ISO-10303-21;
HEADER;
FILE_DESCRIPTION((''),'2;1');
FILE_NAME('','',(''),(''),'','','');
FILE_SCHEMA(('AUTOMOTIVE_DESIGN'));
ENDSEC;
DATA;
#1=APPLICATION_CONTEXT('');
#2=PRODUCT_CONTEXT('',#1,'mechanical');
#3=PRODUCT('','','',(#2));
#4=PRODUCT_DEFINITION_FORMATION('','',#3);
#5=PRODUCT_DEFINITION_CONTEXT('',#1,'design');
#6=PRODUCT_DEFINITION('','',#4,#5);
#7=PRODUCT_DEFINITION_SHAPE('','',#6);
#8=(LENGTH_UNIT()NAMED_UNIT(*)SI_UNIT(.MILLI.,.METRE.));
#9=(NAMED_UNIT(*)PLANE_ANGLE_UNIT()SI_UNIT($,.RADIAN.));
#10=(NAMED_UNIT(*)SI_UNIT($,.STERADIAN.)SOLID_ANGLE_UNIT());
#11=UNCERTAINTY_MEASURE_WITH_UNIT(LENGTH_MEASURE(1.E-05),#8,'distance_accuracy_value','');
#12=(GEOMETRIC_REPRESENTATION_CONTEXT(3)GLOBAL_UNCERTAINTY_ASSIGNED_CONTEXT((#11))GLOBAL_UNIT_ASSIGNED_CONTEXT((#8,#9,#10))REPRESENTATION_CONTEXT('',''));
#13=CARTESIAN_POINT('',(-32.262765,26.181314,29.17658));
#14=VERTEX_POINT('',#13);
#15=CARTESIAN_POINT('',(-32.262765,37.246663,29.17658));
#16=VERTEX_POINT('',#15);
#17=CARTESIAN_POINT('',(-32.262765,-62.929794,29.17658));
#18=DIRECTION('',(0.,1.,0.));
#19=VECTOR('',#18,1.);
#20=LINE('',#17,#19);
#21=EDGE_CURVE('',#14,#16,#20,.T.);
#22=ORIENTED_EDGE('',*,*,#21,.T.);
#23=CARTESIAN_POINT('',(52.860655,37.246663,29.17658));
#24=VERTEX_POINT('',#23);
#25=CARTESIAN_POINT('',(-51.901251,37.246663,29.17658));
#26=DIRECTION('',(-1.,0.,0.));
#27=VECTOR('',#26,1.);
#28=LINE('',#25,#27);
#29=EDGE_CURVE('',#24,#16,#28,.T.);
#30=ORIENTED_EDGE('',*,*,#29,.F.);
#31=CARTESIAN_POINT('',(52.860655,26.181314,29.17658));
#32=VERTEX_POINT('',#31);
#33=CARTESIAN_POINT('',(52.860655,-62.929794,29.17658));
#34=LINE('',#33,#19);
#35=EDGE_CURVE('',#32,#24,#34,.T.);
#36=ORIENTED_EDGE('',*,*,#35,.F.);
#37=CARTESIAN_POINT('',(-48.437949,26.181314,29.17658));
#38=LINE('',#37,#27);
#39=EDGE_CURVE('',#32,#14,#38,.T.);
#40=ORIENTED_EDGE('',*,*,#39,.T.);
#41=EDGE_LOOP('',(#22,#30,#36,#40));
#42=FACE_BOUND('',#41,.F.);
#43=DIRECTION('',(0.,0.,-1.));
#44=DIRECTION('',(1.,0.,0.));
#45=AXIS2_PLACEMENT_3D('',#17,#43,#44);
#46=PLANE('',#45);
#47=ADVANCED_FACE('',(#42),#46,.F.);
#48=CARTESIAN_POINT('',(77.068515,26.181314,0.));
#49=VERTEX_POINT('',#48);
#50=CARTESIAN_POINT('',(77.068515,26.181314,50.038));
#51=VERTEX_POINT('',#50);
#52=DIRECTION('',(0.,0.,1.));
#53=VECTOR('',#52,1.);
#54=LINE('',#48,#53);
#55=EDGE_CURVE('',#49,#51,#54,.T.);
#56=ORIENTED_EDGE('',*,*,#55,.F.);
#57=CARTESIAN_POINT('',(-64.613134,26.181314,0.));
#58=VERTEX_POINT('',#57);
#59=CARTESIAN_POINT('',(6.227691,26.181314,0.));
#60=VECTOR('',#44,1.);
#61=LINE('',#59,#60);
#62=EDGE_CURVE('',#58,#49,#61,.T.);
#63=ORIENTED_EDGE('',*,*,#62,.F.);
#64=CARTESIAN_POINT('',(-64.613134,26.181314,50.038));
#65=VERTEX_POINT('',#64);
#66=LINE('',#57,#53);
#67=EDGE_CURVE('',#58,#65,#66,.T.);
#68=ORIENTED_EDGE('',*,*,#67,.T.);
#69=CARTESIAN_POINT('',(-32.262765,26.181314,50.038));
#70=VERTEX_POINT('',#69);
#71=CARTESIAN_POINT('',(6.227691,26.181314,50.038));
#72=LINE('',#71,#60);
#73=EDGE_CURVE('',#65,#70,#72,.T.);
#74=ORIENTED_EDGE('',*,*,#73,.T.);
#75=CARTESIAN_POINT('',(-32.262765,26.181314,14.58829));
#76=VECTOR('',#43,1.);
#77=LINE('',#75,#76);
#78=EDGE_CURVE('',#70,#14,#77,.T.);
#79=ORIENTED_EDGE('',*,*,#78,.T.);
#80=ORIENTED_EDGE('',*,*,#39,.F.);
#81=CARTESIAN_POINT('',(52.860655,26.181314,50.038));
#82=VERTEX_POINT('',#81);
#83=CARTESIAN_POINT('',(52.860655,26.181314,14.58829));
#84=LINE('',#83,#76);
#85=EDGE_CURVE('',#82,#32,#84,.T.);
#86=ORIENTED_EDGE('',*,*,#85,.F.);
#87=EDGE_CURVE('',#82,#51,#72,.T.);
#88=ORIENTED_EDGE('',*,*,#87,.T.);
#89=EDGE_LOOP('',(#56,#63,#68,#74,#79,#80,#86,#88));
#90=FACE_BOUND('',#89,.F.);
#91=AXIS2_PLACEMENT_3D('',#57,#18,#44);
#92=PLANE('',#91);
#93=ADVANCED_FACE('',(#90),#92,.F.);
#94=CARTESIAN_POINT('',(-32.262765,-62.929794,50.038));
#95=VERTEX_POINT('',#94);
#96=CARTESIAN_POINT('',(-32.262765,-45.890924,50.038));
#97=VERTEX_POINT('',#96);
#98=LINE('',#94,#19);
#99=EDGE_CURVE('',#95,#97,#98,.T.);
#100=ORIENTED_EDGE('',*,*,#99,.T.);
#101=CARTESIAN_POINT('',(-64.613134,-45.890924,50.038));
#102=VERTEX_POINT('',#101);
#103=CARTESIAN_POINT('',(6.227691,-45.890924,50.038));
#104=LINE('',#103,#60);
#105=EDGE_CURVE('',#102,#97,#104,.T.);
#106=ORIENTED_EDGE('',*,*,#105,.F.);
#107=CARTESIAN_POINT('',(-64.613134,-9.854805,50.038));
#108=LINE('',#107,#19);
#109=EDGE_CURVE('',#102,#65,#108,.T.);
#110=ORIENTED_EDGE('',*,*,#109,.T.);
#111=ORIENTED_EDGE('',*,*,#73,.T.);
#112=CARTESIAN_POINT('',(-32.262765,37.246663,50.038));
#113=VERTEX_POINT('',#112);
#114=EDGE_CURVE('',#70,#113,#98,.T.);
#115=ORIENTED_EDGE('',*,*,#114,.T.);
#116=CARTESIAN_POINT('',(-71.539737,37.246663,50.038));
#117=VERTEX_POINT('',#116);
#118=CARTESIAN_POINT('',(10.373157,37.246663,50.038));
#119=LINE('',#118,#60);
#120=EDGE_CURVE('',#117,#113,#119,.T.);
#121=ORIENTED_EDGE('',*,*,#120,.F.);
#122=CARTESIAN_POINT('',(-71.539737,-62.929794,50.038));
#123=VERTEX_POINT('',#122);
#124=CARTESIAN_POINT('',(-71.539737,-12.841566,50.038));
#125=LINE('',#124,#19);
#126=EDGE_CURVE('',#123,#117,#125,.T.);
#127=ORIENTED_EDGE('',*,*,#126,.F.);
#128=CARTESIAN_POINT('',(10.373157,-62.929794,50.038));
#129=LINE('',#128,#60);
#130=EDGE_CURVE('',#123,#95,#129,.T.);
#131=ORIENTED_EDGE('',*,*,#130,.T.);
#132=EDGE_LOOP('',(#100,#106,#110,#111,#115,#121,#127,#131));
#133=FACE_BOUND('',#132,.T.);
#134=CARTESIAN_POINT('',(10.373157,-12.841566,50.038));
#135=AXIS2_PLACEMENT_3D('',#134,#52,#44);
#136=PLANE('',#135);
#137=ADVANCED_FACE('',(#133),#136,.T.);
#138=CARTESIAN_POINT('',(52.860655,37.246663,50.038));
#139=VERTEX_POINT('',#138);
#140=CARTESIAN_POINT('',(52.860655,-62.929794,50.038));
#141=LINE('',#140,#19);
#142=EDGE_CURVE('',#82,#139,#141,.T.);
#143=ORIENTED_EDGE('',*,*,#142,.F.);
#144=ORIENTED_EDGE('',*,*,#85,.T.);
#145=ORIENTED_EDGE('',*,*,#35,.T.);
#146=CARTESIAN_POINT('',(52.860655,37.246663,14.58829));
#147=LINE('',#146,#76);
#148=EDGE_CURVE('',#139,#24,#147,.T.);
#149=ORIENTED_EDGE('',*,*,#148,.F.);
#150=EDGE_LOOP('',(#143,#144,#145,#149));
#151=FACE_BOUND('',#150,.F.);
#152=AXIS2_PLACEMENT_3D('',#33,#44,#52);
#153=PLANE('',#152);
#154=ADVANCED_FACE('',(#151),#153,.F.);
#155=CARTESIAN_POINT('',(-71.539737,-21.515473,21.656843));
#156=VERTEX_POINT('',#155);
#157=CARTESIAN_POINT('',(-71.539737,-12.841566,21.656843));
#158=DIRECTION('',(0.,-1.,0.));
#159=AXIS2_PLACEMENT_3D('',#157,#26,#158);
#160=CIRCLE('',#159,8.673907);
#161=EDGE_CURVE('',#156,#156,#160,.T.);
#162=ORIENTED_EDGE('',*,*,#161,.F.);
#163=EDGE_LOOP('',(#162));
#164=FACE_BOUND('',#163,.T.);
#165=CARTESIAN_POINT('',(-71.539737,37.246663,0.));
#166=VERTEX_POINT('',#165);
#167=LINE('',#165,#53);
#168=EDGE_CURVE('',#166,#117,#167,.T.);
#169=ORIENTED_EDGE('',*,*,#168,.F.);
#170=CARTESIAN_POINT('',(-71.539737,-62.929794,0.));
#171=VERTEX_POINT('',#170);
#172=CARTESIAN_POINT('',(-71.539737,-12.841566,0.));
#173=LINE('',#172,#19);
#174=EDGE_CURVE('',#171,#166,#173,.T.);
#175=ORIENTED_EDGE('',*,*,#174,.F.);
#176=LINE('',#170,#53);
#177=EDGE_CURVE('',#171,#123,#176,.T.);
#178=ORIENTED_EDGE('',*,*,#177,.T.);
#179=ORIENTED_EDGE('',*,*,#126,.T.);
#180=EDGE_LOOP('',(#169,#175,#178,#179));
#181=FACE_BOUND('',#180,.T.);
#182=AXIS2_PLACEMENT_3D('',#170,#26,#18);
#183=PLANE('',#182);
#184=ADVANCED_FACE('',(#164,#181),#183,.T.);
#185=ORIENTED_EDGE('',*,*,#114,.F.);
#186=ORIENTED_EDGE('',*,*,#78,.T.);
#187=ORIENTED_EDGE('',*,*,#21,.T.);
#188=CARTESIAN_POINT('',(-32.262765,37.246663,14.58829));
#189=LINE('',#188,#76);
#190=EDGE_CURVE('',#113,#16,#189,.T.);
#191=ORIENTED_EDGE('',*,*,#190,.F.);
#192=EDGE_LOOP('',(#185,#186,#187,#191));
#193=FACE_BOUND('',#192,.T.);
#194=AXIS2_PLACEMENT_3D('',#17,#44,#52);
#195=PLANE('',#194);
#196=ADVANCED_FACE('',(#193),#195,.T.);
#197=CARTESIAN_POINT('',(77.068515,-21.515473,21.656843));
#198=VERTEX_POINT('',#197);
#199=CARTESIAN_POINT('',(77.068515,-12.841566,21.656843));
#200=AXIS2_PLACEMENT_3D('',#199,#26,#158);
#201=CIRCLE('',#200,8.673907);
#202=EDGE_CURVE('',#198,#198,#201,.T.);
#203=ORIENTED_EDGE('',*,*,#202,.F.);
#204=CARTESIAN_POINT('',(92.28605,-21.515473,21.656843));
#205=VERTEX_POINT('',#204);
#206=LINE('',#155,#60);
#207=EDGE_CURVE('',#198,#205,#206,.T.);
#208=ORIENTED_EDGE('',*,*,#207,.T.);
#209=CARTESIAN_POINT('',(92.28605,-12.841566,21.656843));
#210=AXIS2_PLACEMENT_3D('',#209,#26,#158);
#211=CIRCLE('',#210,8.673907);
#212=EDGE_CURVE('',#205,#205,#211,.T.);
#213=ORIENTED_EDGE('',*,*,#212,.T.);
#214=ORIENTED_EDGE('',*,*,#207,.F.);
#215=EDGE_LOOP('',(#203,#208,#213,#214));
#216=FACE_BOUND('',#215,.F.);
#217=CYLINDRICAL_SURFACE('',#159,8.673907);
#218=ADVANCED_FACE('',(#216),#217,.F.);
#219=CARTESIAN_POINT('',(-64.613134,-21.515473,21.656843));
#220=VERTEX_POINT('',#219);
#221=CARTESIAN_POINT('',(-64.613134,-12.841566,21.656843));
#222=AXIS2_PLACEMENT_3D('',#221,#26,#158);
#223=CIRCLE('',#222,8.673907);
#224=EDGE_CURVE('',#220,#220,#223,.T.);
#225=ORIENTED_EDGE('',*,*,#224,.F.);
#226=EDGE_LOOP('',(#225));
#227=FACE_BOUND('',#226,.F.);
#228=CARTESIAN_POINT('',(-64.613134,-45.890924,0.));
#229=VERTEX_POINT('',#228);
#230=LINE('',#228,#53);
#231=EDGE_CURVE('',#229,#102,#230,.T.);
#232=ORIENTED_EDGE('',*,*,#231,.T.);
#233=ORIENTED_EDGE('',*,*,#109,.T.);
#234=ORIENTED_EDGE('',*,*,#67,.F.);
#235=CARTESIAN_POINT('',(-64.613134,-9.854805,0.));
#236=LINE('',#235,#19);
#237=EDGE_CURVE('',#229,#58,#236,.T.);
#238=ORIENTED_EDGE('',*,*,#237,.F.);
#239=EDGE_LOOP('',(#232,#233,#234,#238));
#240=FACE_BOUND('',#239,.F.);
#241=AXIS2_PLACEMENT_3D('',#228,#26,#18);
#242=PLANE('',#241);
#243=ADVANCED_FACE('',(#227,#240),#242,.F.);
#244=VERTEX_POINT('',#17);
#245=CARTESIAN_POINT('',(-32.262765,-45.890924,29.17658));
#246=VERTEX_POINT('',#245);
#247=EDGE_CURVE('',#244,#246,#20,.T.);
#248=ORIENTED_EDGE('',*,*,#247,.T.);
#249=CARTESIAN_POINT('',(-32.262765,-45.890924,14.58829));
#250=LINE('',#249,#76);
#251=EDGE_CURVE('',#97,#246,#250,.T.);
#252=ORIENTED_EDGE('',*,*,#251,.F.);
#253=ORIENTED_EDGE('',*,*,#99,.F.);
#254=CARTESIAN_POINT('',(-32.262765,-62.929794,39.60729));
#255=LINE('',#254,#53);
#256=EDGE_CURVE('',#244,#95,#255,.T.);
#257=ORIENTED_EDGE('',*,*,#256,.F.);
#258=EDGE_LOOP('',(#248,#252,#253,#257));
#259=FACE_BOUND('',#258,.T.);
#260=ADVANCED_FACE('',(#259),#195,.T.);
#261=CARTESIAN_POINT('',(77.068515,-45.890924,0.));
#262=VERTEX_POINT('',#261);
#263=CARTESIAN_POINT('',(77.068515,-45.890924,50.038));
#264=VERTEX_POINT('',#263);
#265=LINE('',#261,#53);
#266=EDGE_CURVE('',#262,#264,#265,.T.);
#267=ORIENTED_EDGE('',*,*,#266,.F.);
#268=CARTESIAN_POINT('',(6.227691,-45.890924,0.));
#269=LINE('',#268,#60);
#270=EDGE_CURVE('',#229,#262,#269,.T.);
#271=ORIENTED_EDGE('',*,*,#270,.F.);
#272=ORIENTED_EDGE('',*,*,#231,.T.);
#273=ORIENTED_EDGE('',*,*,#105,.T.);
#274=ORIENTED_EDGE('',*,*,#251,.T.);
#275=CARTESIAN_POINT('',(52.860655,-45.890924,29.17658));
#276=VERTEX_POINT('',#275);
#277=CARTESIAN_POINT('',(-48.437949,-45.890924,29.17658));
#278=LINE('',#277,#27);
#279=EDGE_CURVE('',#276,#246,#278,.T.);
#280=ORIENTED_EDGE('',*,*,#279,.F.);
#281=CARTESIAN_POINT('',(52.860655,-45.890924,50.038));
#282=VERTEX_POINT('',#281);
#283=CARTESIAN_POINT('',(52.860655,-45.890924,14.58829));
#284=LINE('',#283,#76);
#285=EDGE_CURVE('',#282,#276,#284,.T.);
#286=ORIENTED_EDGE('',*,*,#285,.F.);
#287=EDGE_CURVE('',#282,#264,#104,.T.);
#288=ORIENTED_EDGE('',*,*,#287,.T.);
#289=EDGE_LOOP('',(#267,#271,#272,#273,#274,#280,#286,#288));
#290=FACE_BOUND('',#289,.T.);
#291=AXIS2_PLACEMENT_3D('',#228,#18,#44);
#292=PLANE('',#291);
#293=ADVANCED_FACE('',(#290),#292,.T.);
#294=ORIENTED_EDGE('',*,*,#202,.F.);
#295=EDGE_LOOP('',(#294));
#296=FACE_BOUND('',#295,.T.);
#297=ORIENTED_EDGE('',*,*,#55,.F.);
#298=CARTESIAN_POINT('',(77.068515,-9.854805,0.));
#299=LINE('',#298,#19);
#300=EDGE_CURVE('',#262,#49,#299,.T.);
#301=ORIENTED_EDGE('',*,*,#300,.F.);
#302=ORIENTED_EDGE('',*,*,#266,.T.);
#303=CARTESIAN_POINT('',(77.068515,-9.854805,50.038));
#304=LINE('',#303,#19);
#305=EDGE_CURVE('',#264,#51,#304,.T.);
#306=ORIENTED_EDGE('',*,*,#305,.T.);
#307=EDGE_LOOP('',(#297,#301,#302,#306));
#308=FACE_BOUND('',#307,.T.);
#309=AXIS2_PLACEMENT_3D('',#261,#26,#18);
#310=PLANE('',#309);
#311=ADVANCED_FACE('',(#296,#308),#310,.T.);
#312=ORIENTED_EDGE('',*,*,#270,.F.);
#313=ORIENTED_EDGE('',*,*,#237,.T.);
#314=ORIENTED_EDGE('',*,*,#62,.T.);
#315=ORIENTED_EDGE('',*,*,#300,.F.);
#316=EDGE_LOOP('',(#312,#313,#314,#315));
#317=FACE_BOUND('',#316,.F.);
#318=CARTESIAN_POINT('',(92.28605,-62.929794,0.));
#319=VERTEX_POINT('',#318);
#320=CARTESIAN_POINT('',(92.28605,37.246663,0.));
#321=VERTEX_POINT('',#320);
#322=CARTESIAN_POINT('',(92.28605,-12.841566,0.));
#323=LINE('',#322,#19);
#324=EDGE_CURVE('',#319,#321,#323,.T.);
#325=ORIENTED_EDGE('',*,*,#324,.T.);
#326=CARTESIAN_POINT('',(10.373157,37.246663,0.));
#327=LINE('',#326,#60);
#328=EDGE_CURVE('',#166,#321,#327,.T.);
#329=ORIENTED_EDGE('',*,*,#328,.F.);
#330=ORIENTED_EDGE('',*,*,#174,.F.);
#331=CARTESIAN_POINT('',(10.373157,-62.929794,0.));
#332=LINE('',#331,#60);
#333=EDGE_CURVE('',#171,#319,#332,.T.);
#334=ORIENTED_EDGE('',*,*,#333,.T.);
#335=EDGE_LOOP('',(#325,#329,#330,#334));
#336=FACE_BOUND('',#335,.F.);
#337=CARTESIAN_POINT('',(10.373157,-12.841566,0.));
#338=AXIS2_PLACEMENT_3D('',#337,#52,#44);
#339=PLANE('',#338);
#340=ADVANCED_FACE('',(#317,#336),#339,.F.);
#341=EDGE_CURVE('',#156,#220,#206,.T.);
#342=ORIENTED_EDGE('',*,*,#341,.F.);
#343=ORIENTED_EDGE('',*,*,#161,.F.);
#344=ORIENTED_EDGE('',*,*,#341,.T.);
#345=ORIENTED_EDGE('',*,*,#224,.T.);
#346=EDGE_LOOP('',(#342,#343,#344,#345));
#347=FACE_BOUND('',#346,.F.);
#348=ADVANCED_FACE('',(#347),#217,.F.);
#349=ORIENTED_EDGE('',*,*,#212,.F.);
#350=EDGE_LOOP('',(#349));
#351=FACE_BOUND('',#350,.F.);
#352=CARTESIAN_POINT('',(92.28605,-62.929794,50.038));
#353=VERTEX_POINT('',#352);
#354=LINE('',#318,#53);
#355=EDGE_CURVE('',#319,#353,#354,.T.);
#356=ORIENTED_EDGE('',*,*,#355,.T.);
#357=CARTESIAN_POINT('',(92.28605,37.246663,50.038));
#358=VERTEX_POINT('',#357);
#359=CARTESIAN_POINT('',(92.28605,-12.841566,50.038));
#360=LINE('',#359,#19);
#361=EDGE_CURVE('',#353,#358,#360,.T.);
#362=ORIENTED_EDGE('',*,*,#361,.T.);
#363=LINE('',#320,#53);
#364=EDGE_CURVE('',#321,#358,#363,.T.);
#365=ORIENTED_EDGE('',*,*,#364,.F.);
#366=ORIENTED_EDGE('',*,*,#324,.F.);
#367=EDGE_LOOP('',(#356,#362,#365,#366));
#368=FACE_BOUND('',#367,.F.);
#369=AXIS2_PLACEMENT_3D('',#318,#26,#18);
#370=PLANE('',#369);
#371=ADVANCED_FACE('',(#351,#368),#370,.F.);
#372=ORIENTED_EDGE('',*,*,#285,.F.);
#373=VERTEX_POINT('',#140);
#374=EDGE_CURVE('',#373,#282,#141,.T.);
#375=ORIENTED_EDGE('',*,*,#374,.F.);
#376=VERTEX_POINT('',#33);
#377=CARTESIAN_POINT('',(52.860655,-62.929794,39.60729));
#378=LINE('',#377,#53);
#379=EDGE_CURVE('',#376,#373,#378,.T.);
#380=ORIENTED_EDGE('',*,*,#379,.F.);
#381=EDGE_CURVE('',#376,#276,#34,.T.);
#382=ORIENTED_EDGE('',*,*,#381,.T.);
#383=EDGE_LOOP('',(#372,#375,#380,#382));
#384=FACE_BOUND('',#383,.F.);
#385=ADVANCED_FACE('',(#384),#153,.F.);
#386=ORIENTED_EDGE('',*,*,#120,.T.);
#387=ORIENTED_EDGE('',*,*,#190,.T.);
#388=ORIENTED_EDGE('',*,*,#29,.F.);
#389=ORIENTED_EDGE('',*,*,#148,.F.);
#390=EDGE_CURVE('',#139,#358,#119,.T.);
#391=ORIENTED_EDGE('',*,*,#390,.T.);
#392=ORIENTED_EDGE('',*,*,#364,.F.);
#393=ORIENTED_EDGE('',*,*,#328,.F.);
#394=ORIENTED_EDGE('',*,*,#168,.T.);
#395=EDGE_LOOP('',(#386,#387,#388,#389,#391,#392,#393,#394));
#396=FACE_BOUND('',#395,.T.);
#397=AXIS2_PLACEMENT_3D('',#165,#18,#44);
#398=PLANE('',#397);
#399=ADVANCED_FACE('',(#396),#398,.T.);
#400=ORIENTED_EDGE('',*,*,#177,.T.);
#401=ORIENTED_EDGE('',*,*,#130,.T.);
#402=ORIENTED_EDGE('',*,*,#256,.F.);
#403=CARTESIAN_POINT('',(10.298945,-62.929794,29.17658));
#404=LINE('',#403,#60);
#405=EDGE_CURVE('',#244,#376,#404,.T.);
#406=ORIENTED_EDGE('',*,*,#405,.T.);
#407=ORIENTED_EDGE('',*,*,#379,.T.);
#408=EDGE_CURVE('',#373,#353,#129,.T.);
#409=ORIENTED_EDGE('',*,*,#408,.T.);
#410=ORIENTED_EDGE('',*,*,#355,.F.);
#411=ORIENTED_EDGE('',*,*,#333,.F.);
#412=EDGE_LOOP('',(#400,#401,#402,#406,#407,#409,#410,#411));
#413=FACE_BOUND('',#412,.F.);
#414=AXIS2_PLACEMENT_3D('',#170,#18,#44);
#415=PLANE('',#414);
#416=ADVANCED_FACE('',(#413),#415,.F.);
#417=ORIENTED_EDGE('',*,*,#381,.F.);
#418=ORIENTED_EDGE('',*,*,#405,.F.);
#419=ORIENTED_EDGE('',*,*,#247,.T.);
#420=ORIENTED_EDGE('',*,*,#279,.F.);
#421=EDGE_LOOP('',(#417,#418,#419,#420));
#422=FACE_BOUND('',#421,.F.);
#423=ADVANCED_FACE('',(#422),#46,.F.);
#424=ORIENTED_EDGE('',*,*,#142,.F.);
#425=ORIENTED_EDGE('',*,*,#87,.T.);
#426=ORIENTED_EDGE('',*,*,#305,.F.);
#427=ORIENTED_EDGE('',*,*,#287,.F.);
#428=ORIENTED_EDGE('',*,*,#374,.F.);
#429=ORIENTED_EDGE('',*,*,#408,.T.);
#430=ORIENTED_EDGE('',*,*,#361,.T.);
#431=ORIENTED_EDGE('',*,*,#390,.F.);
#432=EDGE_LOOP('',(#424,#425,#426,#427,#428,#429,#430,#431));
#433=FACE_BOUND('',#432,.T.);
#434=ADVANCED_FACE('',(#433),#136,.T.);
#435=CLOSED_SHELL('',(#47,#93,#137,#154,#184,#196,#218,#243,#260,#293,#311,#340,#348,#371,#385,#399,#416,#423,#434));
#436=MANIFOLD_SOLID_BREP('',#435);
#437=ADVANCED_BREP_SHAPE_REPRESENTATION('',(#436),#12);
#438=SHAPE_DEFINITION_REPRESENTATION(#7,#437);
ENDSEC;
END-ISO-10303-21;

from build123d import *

# Parameters (mm, degrees)
F0_W     = 163.8257876039
F0_H     = 100.1764573157
F0_W_2   = 141.6816487908
F0_H_2   = 72.07223773
F1_DEPTH = 50.038
F2_W     = 85.1234197617
F2_H     = 20.8614202117
F3_DEPTH = 132.842
F4_R     = 8.6739070384
F5_DEPTH = 191.516


with BuildPart() as f1:
    # F0 (on Top) → F1 (new body)
    with BuildSketch(Plane.XY):
        with Locations((10.3731565177, -12.8415655345)):
            Rectangle(F0_W, F0_H)
        with Locations((6.2276907265, -9.8548047245)):
            Rectangle(F0_W_2, F0_H_2, mode=Mode.SUBTRACT)
    extrude(amount=F1_DEPTH)

    # F2 (on face) → F3 (cut)
    with BuildSketch(Plane.XZ.offset(62.9297941923)):
        with Locations((10.2989450097, 39.6072898942)):
            Rectangle(F2_W, F2_H)
    extrude(amount=-F3_DEPTH, mode=Mode.SUBTRACT)

    # F4 (on face) → F5 (cut)
    with BuildSketch(Plane(origin=(-71.5397372842, 0, 0), x_dir=(0, -1, 0), z_dir=(-1, 0, 0))):
        with Locations((12.8415655345, 21.6568429023)):
            Circle(F4_R)
    extrude(amount=-F5_DEPTH, mode=Mode.SUBTRACT)


solid = f1.part
